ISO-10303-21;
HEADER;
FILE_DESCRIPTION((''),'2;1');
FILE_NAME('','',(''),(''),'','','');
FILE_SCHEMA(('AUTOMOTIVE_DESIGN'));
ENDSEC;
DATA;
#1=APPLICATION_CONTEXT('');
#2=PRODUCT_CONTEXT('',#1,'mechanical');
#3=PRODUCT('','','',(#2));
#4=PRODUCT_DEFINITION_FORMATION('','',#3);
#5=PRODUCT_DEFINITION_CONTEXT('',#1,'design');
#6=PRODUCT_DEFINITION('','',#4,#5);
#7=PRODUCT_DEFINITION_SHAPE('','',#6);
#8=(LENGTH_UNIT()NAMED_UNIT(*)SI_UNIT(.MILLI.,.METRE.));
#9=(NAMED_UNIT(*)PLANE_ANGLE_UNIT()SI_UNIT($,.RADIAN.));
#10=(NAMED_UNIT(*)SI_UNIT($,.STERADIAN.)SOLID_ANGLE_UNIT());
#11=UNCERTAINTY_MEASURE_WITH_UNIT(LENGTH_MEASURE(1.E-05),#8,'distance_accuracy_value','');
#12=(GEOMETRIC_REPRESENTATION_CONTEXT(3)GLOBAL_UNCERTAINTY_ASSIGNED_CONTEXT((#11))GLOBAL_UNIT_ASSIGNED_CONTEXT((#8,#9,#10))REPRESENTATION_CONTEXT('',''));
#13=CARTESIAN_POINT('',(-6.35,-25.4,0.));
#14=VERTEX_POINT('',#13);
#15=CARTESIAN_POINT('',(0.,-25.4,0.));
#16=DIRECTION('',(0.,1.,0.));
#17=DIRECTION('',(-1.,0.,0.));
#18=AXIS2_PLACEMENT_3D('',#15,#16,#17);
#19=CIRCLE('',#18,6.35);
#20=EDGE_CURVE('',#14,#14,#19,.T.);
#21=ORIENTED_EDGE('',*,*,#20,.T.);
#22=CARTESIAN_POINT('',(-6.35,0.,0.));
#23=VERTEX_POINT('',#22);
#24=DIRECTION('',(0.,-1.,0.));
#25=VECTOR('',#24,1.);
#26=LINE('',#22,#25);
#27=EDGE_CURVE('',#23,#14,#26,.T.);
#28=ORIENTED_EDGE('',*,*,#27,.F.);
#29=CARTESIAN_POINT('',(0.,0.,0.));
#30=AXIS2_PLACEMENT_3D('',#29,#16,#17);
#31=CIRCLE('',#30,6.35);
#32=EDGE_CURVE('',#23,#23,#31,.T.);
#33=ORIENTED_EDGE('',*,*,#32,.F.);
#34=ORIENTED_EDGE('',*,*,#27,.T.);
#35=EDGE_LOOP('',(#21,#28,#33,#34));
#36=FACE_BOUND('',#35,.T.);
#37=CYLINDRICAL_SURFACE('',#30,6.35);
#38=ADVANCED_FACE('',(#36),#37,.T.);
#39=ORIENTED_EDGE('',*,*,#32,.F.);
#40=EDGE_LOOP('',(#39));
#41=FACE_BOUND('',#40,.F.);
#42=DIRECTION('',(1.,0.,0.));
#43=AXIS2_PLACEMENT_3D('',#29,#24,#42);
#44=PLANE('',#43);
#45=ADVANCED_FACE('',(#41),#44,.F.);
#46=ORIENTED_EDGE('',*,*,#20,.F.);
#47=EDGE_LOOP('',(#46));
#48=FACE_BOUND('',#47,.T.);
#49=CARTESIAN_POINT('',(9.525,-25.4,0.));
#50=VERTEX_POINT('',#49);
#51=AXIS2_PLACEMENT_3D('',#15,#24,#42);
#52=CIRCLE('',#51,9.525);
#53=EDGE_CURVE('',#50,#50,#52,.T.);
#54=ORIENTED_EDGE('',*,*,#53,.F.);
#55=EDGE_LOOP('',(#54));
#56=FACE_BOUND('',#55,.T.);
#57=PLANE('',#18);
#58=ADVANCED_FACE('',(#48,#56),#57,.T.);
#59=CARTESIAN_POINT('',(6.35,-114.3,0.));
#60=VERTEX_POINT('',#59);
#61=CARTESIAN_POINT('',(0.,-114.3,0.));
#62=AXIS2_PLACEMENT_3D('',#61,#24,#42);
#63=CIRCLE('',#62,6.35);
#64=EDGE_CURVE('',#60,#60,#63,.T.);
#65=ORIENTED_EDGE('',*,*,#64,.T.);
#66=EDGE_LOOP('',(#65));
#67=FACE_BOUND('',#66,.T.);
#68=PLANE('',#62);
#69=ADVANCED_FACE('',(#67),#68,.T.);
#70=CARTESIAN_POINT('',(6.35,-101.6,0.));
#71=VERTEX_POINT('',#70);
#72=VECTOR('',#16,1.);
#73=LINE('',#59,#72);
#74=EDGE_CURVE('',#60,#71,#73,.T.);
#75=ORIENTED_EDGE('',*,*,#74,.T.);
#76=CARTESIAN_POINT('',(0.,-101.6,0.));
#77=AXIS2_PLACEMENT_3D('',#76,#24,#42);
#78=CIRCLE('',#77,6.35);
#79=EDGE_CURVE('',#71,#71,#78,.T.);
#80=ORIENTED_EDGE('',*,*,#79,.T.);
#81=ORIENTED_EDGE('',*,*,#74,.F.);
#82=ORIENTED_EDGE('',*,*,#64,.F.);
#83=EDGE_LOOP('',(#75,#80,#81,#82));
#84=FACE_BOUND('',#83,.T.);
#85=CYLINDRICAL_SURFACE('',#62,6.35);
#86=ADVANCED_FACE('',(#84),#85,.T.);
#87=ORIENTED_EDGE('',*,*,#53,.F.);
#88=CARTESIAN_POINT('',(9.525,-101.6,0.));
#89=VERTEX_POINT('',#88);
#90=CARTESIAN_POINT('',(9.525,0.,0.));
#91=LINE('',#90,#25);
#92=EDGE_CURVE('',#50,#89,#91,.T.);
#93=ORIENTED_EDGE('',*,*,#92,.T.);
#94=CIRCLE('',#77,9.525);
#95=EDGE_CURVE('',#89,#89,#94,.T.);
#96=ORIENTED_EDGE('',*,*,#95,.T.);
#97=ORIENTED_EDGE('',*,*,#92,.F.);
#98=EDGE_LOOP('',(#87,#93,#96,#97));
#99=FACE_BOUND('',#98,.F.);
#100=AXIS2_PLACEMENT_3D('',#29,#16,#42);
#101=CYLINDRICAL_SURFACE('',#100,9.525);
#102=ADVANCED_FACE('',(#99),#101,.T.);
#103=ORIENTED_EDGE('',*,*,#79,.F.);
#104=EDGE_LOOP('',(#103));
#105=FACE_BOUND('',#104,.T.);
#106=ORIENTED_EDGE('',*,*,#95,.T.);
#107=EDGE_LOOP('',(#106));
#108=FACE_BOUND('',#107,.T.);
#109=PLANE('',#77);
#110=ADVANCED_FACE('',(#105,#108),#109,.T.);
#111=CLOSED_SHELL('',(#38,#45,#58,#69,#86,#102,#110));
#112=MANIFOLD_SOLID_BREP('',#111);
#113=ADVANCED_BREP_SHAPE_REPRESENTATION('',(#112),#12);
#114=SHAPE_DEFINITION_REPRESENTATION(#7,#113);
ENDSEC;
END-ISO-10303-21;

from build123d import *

# Parameters (mm, degrees)
F0_R     = 9.525
F0_R_2   = 6.35
F1_DEPTH = 114.3
F2_R     = 9.525
F2_R_2   = 6.35
F3_DEPTH = 12.7
F4_R     = 9.525
F4_R_2   = 6.35
F5_DEPTH = 25.4


with BuildPart() as f1:
    # F0 (on Front) → F1 (new body)
    with BuildSketch(Plane.XZ):
        Circle(F0_R)
        Circle(F0_R_2, mode=Mode.SUBTRACT)
        Circle(F0_R_2)
    extrude(amount=F1_DEPTH)

    # F2 (on face) → F3 (cut)
    with BuildSketch(Plane.XZ.offset(114.3)):
        Circle(F2_R)
        Circle(F2_R_2, mode=Mode.SUBTRACT)
    extrude(amount=-F3_DEPTH, mode=Mode.SUBTRACT)

    # F4 (on face) → F5 (cut)
    with BuildSketch(Plane(origin=(0, 0, 0), x_dir=(-1, 0, 0), z_dir=(0, 1, 0))):
        Circle(F4_R)
        Circle(F4_R_2, mode=Mode.SUBTRACT)
    extrude(amount=-F5_DEPTH, mode=Mode.SUBTRACT)


solid = f1.part
